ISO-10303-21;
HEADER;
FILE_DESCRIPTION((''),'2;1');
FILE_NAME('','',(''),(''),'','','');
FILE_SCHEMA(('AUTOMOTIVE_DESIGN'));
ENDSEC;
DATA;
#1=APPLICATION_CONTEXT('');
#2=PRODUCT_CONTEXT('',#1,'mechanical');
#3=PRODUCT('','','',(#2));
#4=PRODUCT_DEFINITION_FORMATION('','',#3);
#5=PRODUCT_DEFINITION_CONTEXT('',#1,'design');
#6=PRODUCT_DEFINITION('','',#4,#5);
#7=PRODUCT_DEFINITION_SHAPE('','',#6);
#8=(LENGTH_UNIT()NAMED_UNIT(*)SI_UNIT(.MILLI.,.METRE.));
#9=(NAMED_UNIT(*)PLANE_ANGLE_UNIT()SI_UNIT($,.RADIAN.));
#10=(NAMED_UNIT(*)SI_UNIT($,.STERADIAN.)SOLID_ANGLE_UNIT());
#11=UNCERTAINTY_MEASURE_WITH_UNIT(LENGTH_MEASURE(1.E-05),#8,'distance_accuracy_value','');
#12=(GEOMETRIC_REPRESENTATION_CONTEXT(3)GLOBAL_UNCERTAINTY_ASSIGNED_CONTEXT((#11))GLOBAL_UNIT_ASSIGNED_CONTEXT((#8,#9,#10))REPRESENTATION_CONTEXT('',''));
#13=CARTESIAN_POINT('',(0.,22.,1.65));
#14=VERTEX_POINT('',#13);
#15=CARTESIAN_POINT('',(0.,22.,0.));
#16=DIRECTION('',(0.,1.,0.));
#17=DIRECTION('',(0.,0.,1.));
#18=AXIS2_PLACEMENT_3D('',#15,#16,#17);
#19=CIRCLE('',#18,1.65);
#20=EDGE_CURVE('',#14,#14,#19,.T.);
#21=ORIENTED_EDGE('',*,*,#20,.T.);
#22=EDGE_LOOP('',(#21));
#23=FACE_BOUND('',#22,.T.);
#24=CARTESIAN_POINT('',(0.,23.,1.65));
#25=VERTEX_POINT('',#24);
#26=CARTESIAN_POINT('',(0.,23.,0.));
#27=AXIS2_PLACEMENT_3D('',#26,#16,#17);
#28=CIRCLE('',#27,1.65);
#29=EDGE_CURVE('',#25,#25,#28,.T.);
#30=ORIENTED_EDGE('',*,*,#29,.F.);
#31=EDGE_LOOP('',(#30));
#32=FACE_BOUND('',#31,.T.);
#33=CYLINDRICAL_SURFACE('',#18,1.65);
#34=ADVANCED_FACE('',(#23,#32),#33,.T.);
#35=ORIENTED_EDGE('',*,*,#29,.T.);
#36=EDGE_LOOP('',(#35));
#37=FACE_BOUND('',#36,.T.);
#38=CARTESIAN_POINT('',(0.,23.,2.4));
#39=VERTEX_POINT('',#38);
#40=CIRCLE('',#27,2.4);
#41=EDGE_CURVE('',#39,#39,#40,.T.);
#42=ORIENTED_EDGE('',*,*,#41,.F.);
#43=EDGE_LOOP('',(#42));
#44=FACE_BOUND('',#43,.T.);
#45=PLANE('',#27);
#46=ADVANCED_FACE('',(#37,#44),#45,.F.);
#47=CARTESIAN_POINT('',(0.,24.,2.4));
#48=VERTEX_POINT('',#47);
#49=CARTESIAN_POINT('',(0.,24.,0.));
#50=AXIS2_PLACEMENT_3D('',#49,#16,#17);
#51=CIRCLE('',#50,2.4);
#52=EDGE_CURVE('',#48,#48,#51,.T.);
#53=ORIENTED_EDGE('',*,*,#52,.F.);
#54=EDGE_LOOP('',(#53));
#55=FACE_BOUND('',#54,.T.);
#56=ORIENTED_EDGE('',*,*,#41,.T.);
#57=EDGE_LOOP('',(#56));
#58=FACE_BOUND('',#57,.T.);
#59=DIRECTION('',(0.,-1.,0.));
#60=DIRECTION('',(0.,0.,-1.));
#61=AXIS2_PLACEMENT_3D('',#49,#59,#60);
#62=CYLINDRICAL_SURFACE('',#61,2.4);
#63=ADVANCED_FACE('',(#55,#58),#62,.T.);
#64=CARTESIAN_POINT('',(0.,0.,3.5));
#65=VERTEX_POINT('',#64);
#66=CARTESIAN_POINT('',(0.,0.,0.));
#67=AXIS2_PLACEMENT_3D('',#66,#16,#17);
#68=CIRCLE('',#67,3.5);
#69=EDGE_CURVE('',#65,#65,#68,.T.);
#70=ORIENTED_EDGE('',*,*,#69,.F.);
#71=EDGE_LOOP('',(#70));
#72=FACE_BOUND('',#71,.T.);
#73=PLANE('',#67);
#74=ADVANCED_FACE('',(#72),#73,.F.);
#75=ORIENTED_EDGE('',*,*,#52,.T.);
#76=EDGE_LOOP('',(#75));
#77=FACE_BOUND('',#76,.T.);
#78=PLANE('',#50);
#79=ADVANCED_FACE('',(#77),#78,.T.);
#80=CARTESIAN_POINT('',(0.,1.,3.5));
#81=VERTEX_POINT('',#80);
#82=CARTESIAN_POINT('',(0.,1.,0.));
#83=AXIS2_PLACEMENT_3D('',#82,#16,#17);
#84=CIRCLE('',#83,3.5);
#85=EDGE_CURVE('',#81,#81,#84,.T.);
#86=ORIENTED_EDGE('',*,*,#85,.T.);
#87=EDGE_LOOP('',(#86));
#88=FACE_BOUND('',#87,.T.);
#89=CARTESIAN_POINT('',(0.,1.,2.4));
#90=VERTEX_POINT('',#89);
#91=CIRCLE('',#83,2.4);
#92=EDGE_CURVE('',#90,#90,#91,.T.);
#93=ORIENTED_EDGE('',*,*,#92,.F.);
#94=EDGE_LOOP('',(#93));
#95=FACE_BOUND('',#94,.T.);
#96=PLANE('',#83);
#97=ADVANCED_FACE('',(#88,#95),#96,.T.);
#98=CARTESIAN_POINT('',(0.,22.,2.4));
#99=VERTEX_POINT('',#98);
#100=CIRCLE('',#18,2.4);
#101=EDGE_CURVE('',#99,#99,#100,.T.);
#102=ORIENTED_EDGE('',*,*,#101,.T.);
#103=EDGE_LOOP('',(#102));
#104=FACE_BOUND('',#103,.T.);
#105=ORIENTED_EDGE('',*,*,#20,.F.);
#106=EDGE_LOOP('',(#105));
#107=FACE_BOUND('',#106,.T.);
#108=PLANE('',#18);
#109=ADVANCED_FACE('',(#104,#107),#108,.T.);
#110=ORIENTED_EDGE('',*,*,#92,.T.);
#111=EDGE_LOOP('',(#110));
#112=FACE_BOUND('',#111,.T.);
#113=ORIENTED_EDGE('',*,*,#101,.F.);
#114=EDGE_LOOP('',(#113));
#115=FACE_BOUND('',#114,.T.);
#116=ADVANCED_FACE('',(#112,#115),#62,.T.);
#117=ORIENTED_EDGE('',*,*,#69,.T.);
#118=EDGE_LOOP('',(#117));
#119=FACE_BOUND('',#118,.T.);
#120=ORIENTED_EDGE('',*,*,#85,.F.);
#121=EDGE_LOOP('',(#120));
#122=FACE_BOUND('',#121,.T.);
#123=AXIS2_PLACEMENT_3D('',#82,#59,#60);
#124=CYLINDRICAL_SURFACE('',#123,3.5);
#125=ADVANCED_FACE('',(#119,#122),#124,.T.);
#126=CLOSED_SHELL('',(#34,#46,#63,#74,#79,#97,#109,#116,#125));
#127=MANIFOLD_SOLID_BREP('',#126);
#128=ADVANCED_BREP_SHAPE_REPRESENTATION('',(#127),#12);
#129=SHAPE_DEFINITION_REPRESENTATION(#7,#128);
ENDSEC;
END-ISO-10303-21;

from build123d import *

# Parameters (mm, degrees)
CROQUIS1_R              = 3.5
CROQUIS1_R_2            = 2.4
SALIENTE_EXTRUIR1_DEPTH = 1
CROQUIS1_2_R            = 2.4
SALIENTE_EXTRUIR2_DEPTH = 24
CORTAR_EXTRUIR1_START   = -2
CROQUIS2_R              = 2.4
CROQUIS2_R_2            = 1.65
CORTAR_EXTRUIR1_DEPTH   = 1


with BuildPart() as part:
    # Croquis1 → Saliente-Extruir1 (new body)
    with BuildSketch(Plane(origin=(0, 0, 0), x_dir=(1, 0, 0), z_dir=(0, 1, 0))):
        Circle(CROQUIS1_R)
        Circle(CROQUIS1_R_2, mode=Mode.SUBTRACT)
    extrude(amount=SALIENTE_EXTRUIR1_DEPTH)

    # Croquis1<2> → Saliente-Extruir2 (add)
    with BuildSketch(Plane(origin=(0, 0, 0), x_dir=(1, 0, 0), z_dir=(0, 1, 0))):
        Circle(CROQUIS1_2_R)
    extrude(amount=SALIENTE_EXTRUIR2_DEPTH)

    # Croquis2 → Cortar-Extruir1 (cut)
    with BuildSketch(Plane(origin=(0, 24, 0), x_dir=(1, 0, 0), z_dir=(0, 1, 0)).offset(CORTAR_EXTRUIR1_START)):
        Circle(CROQUIS2_R)
        Circle(CROQUIS2_R_2, mode=Mode.SUBTRACT)
    extrude(amount=CORTAR_EXTRUIR1_DEPTH, mode=Mode.SUBTRACT)


solid = part.part
